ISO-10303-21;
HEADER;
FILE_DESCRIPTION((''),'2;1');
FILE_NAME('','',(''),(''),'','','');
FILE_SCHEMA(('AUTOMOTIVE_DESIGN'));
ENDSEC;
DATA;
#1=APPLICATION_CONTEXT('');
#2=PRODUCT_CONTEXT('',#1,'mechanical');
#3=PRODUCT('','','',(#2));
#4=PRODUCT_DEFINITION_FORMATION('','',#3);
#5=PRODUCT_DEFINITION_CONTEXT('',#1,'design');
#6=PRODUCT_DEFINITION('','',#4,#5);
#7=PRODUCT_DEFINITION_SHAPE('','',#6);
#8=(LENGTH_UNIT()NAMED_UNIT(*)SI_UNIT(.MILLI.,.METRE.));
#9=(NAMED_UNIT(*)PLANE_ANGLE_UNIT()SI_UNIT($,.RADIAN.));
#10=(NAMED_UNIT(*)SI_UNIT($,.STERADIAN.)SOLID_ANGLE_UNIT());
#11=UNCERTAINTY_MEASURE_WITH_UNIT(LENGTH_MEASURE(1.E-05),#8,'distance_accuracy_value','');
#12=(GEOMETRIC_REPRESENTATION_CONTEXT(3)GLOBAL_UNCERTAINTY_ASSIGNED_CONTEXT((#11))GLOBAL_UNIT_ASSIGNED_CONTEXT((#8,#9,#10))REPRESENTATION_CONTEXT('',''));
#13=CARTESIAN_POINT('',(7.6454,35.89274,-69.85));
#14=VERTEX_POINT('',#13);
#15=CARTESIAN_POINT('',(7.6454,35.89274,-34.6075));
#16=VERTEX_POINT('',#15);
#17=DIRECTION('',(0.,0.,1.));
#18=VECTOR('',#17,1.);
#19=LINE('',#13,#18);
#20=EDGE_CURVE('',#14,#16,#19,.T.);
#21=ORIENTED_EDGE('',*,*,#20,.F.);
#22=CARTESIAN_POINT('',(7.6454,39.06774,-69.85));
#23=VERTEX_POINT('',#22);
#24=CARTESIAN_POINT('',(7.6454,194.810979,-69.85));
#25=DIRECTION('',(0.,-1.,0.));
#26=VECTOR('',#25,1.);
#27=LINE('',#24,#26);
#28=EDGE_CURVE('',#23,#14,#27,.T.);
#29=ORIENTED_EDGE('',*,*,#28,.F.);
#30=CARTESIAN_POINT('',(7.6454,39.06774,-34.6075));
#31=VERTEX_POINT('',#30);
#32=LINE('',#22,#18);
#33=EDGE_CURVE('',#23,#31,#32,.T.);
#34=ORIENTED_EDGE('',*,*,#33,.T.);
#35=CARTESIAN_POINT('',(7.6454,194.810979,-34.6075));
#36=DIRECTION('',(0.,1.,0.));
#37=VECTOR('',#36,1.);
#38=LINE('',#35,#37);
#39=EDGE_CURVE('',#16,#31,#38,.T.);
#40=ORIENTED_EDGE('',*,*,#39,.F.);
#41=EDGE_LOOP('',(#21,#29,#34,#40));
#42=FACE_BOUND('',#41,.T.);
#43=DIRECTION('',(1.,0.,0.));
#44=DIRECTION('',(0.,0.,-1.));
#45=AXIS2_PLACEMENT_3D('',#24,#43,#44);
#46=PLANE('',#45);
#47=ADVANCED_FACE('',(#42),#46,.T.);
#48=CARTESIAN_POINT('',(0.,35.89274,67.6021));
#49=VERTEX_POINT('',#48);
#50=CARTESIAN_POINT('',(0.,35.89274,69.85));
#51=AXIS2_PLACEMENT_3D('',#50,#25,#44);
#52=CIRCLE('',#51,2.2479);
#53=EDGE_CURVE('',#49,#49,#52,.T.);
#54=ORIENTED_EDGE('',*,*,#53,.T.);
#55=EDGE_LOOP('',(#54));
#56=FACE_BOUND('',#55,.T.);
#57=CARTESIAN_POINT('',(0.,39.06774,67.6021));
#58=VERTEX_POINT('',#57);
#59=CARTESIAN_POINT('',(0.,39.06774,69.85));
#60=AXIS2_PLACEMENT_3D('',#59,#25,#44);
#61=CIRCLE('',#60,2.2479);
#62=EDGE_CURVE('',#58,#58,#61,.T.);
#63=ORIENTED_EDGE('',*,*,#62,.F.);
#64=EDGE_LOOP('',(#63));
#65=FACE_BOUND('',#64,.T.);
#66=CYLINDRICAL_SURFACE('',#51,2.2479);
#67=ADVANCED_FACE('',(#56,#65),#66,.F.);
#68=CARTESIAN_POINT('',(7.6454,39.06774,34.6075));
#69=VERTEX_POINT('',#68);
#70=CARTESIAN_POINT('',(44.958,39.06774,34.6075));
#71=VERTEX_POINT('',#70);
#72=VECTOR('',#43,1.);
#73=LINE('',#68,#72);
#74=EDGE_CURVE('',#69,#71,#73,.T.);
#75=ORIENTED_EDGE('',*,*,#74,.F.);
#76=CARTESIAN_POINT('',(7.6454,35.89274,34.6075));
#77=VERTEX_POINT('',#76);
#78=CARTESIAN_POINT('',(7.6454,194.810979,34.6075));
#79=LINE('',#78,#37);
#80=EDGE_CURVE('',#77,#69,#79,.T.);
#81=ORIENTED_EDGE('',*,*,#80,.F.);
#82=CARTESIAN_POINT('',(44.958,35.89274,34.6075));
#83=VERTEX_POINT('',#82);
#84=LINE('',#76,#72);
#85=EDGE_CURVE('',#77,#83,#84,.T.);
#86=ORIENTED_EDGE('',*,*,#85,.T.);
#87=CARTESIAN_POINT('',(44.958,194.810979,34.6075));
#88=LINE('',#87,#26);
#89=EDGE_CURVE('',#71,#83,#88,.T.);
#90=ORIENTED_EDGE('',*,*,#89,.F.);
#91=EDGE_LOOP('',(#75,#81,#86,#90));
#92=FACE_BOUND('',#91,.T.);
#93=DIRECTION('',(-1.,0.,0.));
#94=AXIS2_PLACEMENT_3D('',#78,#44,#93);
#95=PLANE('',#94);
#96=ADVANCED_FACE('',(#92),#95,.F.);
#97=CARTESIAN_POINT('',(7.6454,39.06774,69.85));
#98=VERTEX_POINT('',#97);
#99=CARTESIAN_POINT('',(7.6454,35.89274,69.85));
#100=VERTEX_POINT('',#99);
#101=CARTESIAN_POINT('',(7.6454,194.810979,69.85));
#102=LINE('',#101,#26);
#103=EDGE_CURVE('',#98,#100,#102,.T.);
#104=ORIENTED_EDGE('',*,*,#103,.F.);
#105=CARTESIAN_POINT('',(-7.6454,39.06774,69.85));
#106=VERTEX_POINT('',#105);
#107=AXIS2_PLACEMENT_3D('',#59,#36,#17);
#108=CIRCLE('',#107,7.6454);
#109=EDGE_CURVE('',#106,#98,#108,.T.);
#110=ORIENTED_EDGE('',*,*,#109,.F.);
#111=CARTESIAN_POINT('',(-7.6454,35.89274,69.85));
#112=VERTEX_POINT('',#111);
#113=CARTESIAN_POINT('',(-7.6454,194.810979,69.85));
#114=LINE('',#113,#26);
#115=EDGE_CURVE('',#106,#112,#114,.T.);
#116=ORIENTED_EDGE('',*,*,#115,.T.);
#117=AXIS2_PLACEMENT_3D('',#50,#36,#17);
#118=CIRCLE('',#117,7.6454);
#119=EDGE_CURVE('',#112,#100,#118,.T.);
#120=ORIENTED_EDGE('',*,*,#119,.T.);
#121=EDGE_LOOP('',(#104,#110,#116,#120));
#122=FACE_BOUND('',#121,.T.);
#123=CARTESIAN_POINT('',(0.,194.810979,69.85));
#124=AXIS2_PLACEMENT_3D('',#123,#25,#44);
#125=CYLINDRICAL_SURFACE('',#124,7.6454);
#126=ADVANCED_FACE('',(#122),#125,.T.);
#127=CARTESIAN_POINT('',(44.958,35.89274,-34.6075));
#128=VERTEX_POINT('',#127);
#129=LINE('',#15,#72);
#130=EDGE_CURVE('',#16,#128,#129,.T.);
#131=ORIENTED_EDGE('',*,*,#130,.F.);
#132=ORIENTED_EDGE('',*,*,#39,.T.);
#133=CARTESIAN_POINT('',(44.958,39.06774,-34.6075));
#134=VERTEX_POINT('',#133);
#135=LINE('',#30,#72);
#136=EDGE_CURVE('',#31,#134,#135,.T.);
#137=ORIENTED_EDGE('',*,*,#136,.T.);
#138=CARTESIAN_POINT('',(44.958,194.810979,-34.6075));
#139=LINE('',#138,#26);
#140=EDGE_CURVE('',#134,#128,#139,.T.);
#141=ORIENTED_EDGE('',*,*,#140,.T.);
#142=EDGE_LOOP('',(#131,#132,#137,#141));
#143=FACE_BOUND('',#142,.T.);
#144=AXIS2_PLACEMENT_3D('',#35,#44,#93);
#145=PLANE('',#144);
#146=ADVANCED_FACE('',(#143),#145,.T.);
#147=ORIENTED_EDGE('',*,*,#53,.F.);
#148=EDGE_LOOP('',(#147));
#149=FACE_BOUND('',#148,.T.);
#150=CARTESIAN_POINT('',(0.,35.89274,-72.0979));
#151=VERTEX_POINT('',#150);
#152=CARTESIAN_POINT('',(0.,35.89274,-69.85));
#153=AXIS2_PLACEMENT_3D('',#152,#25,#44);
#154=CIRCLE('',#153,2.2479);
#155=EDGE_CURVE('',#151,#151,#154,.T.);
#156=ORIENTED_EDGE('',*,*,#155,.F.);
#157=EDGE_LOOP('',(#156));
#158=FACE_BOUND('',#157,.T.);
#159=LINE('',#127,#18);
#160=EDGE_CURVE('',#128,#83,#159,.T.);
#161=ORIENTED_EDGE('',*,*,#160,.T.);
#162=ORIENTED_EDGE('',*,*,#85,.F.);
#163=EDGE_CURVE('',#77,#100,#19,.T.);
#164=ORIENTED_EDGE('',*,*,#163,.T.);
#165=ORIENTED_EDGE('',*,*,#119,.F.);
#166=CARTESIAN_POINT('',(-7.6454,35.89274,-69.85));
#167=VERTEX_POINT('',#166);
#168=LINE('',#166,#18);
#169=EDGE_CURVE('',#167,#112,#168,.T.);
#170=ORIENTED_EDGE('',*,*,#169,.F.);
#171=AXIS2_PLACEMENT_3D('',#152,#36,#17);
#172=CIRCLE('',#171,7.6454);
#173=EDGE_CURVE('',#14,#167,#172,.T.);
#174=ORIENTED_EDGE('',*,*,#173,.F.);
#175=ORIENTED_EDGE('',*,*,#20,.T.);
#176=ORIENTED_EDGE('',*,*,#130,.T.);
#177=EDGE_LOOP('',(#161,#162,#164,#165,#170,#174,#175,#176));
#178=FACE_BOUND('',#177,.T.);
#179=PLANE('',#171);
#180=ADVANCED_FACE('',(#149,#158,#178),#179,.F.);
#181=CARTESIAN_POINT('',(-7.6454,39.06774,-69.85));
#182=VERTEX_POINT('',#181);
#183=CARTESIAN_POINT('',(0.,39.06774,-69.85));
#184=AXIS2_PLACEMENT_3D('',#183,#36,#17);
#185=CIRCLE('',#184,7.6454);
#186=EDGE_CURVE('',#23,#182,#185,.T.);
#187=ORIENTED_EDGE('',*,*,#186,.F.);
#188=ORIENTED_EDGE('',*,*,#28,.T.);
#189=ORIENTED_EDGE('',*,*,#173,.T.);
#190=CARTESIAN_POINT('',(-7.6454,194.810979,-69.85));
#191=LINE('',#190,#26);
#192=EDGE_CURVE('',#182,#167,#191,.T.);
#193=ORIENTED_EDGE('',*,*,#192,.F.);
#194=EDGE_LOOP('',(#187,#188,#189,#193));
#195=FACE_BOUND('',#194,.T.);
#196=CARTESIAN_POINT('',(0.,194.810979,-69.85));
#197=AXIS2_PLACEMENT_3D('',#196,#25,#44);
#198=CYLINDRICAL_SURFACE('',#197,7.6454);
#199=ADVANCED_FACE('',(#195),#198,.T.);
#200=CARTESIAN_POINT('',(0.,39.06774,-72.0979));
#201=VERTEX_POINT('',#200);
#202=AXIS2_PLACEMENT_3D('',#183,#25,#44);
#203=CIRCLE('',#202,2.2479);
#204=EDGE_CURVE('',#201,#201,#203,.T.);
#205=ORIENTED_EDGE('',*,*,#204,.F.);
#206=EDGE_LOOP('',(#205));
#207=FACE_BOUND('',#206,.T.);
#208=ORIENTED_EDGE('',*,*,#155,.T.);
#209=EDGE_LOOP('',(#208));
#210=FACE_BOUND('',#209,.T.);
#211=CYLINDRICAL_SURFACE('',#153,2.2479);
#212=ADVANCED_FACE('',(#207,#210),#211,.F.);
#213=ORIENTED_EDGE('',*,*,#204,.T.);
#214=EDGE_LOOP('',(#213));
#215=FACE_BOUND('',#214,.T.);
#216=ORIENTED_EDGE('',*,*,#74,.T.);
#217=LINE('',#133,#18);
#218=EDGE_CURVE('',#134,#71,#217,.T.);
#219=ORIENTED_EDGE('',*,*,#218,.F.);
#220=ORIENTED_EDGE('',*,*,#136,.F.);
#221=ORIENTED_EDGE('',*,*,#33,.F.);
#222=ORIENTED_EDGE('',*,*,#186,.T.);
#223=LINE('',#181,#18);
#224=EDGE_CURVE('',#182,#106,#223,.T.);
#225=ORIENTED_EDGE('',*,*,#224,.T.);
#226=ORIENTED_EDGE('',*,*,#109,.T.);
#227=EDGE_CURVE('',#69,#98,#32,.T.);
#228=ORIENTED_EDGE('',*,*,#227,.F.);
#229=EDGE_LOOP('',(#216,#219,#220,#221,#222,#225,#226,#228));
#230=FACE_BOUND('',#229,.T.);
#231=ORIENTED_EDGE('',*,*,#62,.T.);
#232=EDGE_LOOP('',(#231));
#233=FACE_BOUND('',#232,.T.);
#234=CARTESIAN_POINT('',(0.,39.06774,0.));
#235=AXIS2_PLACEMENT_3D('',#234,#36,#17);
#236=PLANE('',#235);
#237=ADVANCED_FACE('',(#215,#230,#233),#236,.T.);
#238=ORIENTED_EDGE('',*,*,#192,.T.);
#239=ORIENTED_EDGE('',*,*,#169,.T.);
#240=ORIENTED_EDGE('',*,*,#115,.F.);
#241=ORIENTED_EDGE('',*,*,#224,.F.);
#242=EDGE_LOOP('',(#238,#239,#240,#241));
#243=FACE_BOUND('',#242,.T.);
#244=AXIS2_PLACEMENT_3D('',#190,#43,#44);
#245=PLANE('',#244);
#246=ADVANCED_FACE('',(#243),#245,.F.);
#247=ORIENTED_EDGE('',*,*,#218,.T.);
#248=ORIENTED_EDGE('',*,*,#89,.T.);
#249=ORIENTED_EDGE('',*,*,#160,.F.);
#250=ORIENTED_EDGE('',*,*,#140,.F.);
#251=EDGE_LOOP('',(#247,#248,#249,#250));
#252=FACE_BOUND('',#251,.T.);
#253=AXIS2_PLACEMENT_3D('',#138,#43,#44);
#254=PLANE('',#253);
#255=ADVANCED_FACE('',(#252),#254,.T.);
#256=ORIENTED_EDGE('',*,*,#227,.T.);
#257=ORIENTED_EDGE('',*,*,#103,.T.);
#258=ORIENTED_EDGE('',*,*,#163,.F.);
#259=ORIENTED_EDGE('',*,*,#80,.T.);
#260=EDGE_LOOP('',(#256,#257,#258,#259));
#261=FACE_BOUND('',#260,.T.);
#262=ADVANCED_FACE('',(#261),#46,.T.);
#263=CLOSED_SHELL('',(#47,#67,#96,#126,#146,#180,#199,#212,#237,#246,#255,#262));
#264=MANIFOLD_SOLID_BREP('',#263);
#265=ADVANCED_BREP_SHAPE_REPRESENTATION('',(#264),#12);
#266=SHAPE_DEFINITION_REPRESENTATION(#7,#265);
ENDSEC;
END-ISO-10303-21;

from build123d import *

# Parameters (mm, degrees)
SKETCH_W                  = 37.3126
SKETCH_H                  = 69.215
CORE_HOLDER_PLATE_F_DEPTH = 3.175
F_8_CLEARANCE_HOLE2_D     = 4.4958


with BuildPart() as part:
    # Sketch → CORE_HOLDER_PLATE-F (new body)
    with BuildSketch(Plane(origin=(0, 35.89274, 0), x_dir=(1, 0, 0), z_dir=(0, 1, 0))):
        with BuildLine():
            Line((7.6454, 69.85), (7.6454, -69.85))
            ThreePointArc((7.6454, -69.85), (0, -77.4954), (-7.6454, -69.85))
            Line((-7.6454, -69.85), (-7.6454, 69.85))
            ThreePointArc((-7.6454, 69.85), (0, 77.4954), (7.6454, 69.85))
        make_face()
        with Locations((26.3017, 0)):
            Rectangle(SKETCH_W, SKETCH_H)
    extrude(amount=CORE_HOLDER_PLATE_F_DEPTH)

    # #8 Clearance Hole2 (through all)
    with Locations(Plane.XZ.offset(-35.89274)):
        with Locations((0, 69.85), (0, -69.85)):
            Hole(F_8_CLEARANCE_HOLE2_D / 2)


solid = part.part
